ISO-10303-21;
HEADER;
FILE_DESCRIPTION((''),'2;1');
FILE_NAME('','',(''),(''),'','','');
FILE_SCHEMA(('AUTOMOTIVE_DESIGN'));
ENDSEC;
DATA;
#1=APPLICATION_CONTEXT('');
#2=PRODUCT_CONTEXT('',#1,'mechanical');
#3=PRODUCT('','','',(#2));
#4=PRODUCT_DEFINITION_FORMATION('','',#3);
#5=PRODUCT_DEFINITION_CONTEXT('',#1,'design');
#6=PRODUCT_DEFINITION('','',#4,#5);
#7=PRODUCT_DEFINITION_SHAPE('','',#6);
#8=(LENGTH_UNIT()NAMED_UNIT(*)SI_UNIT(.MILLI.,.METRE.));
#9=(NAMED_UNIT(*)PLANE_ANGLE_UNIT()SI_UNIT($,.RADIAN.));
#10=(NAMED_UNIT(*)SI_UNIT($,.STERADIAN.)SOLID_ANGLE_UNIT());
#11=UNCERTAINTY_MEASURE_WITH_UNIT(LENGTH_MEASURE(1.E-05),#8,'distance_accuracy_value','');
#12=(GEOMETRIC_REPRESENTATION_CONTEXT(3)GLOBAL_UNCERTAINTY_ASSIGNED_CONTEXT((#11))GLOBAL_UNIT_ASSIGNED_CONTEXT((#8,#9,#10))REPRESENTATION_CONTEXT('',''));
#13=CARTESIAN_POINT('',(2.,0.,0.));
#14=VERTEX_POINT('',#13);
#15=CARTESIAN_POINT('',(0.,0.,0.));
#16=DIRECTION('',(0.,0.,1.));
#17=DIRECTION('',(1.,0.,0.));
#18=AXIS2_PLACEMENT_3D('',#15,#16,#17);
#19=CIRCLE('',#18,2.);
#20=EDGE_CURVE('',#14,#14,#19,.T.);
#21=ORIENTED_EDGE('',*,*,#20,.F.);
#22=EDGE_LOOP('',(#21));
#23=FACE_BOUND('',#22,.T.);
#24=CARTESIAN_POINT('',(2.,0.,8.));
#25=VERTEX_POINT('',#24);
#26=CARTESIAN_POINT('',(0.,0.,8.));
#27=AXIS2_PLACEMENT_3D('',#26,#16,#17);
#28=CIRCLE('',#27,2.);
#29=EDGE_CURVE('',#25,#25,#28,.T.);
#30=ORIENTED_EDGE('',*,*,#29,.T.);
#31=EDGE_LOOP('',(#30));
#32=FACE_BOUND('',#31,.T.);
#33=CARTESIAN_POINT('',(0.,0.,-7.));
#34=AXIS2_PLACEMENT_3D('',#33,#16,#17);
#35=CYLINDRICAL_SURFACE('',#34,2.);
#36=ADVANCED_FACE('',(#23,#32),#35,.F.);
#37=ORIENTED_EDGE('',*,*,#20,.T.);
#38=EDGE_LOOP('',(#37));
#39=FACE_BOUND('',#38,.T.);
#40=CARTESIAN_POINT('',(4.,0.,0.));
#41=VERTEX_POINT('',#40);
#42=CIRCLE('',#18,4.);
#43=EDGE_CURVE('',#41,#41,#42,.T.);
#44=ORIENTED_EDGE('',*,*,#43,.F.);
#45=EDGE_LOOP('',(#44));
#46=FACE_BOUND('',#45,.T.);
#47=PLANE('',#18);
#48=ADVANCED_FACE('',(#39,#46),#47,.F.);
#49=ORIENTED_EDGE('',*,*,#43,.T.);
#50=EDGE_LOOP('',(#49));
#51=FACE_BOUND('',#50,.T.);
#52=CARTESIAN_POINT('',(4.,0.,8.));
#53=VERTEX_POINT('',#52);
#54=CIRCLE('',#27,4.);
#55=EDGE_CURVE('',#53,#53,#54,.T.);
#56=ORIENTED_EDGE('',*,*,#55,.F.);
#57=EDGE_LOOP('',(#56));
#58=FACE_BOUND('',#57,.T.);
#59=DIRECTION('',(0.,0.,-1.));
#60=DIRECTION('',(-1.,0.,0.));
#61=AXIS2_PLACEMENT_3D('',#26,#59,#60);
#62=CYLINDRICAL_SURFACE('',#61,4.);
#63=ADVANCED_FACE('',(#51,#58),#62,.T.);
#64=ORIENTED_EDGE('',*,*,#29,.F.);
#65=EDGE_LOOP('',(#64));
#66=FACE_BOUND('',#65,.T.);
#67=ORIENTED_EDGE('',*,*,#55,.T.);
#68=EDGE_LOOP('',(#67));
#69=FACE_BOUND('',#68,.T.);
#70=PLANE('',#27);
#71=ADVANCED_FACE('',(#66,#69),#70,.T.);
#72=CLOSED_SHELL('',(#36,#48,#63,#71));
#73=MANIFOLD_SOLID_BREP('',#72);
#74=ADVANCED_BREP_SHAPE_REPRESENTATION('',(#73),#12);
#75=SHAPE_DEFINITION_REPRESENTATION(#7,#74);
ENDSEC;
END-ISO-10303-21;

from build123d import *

# Parameters (mm, degrees)
SKETCH_1_R          = 4
EXTRUDE_1_DEPTH     = 8
SKETCH_2_R          = 2
CUT_EXTRUDE_1_DEPTH = 15


with BuildPart() as part:
    # 草图1 → 凸台-拉伸1 (new body)
    with BuildSketch(Plane.XY):
        Circle(SKETCH_1_R)
    extrude(amount=EXTRUDE_1_DEPTH)

    # 草图2 → 切除-拉伸1 (cut)
    with BuildSketch(Plane.XY.offset(8)):
        Circle(SKETCH_2_R)
    extrude(amount=-CUT_EXTRUDE_1_DEPTH, mode=Mode.SUBTRACT)


solid = part.part
